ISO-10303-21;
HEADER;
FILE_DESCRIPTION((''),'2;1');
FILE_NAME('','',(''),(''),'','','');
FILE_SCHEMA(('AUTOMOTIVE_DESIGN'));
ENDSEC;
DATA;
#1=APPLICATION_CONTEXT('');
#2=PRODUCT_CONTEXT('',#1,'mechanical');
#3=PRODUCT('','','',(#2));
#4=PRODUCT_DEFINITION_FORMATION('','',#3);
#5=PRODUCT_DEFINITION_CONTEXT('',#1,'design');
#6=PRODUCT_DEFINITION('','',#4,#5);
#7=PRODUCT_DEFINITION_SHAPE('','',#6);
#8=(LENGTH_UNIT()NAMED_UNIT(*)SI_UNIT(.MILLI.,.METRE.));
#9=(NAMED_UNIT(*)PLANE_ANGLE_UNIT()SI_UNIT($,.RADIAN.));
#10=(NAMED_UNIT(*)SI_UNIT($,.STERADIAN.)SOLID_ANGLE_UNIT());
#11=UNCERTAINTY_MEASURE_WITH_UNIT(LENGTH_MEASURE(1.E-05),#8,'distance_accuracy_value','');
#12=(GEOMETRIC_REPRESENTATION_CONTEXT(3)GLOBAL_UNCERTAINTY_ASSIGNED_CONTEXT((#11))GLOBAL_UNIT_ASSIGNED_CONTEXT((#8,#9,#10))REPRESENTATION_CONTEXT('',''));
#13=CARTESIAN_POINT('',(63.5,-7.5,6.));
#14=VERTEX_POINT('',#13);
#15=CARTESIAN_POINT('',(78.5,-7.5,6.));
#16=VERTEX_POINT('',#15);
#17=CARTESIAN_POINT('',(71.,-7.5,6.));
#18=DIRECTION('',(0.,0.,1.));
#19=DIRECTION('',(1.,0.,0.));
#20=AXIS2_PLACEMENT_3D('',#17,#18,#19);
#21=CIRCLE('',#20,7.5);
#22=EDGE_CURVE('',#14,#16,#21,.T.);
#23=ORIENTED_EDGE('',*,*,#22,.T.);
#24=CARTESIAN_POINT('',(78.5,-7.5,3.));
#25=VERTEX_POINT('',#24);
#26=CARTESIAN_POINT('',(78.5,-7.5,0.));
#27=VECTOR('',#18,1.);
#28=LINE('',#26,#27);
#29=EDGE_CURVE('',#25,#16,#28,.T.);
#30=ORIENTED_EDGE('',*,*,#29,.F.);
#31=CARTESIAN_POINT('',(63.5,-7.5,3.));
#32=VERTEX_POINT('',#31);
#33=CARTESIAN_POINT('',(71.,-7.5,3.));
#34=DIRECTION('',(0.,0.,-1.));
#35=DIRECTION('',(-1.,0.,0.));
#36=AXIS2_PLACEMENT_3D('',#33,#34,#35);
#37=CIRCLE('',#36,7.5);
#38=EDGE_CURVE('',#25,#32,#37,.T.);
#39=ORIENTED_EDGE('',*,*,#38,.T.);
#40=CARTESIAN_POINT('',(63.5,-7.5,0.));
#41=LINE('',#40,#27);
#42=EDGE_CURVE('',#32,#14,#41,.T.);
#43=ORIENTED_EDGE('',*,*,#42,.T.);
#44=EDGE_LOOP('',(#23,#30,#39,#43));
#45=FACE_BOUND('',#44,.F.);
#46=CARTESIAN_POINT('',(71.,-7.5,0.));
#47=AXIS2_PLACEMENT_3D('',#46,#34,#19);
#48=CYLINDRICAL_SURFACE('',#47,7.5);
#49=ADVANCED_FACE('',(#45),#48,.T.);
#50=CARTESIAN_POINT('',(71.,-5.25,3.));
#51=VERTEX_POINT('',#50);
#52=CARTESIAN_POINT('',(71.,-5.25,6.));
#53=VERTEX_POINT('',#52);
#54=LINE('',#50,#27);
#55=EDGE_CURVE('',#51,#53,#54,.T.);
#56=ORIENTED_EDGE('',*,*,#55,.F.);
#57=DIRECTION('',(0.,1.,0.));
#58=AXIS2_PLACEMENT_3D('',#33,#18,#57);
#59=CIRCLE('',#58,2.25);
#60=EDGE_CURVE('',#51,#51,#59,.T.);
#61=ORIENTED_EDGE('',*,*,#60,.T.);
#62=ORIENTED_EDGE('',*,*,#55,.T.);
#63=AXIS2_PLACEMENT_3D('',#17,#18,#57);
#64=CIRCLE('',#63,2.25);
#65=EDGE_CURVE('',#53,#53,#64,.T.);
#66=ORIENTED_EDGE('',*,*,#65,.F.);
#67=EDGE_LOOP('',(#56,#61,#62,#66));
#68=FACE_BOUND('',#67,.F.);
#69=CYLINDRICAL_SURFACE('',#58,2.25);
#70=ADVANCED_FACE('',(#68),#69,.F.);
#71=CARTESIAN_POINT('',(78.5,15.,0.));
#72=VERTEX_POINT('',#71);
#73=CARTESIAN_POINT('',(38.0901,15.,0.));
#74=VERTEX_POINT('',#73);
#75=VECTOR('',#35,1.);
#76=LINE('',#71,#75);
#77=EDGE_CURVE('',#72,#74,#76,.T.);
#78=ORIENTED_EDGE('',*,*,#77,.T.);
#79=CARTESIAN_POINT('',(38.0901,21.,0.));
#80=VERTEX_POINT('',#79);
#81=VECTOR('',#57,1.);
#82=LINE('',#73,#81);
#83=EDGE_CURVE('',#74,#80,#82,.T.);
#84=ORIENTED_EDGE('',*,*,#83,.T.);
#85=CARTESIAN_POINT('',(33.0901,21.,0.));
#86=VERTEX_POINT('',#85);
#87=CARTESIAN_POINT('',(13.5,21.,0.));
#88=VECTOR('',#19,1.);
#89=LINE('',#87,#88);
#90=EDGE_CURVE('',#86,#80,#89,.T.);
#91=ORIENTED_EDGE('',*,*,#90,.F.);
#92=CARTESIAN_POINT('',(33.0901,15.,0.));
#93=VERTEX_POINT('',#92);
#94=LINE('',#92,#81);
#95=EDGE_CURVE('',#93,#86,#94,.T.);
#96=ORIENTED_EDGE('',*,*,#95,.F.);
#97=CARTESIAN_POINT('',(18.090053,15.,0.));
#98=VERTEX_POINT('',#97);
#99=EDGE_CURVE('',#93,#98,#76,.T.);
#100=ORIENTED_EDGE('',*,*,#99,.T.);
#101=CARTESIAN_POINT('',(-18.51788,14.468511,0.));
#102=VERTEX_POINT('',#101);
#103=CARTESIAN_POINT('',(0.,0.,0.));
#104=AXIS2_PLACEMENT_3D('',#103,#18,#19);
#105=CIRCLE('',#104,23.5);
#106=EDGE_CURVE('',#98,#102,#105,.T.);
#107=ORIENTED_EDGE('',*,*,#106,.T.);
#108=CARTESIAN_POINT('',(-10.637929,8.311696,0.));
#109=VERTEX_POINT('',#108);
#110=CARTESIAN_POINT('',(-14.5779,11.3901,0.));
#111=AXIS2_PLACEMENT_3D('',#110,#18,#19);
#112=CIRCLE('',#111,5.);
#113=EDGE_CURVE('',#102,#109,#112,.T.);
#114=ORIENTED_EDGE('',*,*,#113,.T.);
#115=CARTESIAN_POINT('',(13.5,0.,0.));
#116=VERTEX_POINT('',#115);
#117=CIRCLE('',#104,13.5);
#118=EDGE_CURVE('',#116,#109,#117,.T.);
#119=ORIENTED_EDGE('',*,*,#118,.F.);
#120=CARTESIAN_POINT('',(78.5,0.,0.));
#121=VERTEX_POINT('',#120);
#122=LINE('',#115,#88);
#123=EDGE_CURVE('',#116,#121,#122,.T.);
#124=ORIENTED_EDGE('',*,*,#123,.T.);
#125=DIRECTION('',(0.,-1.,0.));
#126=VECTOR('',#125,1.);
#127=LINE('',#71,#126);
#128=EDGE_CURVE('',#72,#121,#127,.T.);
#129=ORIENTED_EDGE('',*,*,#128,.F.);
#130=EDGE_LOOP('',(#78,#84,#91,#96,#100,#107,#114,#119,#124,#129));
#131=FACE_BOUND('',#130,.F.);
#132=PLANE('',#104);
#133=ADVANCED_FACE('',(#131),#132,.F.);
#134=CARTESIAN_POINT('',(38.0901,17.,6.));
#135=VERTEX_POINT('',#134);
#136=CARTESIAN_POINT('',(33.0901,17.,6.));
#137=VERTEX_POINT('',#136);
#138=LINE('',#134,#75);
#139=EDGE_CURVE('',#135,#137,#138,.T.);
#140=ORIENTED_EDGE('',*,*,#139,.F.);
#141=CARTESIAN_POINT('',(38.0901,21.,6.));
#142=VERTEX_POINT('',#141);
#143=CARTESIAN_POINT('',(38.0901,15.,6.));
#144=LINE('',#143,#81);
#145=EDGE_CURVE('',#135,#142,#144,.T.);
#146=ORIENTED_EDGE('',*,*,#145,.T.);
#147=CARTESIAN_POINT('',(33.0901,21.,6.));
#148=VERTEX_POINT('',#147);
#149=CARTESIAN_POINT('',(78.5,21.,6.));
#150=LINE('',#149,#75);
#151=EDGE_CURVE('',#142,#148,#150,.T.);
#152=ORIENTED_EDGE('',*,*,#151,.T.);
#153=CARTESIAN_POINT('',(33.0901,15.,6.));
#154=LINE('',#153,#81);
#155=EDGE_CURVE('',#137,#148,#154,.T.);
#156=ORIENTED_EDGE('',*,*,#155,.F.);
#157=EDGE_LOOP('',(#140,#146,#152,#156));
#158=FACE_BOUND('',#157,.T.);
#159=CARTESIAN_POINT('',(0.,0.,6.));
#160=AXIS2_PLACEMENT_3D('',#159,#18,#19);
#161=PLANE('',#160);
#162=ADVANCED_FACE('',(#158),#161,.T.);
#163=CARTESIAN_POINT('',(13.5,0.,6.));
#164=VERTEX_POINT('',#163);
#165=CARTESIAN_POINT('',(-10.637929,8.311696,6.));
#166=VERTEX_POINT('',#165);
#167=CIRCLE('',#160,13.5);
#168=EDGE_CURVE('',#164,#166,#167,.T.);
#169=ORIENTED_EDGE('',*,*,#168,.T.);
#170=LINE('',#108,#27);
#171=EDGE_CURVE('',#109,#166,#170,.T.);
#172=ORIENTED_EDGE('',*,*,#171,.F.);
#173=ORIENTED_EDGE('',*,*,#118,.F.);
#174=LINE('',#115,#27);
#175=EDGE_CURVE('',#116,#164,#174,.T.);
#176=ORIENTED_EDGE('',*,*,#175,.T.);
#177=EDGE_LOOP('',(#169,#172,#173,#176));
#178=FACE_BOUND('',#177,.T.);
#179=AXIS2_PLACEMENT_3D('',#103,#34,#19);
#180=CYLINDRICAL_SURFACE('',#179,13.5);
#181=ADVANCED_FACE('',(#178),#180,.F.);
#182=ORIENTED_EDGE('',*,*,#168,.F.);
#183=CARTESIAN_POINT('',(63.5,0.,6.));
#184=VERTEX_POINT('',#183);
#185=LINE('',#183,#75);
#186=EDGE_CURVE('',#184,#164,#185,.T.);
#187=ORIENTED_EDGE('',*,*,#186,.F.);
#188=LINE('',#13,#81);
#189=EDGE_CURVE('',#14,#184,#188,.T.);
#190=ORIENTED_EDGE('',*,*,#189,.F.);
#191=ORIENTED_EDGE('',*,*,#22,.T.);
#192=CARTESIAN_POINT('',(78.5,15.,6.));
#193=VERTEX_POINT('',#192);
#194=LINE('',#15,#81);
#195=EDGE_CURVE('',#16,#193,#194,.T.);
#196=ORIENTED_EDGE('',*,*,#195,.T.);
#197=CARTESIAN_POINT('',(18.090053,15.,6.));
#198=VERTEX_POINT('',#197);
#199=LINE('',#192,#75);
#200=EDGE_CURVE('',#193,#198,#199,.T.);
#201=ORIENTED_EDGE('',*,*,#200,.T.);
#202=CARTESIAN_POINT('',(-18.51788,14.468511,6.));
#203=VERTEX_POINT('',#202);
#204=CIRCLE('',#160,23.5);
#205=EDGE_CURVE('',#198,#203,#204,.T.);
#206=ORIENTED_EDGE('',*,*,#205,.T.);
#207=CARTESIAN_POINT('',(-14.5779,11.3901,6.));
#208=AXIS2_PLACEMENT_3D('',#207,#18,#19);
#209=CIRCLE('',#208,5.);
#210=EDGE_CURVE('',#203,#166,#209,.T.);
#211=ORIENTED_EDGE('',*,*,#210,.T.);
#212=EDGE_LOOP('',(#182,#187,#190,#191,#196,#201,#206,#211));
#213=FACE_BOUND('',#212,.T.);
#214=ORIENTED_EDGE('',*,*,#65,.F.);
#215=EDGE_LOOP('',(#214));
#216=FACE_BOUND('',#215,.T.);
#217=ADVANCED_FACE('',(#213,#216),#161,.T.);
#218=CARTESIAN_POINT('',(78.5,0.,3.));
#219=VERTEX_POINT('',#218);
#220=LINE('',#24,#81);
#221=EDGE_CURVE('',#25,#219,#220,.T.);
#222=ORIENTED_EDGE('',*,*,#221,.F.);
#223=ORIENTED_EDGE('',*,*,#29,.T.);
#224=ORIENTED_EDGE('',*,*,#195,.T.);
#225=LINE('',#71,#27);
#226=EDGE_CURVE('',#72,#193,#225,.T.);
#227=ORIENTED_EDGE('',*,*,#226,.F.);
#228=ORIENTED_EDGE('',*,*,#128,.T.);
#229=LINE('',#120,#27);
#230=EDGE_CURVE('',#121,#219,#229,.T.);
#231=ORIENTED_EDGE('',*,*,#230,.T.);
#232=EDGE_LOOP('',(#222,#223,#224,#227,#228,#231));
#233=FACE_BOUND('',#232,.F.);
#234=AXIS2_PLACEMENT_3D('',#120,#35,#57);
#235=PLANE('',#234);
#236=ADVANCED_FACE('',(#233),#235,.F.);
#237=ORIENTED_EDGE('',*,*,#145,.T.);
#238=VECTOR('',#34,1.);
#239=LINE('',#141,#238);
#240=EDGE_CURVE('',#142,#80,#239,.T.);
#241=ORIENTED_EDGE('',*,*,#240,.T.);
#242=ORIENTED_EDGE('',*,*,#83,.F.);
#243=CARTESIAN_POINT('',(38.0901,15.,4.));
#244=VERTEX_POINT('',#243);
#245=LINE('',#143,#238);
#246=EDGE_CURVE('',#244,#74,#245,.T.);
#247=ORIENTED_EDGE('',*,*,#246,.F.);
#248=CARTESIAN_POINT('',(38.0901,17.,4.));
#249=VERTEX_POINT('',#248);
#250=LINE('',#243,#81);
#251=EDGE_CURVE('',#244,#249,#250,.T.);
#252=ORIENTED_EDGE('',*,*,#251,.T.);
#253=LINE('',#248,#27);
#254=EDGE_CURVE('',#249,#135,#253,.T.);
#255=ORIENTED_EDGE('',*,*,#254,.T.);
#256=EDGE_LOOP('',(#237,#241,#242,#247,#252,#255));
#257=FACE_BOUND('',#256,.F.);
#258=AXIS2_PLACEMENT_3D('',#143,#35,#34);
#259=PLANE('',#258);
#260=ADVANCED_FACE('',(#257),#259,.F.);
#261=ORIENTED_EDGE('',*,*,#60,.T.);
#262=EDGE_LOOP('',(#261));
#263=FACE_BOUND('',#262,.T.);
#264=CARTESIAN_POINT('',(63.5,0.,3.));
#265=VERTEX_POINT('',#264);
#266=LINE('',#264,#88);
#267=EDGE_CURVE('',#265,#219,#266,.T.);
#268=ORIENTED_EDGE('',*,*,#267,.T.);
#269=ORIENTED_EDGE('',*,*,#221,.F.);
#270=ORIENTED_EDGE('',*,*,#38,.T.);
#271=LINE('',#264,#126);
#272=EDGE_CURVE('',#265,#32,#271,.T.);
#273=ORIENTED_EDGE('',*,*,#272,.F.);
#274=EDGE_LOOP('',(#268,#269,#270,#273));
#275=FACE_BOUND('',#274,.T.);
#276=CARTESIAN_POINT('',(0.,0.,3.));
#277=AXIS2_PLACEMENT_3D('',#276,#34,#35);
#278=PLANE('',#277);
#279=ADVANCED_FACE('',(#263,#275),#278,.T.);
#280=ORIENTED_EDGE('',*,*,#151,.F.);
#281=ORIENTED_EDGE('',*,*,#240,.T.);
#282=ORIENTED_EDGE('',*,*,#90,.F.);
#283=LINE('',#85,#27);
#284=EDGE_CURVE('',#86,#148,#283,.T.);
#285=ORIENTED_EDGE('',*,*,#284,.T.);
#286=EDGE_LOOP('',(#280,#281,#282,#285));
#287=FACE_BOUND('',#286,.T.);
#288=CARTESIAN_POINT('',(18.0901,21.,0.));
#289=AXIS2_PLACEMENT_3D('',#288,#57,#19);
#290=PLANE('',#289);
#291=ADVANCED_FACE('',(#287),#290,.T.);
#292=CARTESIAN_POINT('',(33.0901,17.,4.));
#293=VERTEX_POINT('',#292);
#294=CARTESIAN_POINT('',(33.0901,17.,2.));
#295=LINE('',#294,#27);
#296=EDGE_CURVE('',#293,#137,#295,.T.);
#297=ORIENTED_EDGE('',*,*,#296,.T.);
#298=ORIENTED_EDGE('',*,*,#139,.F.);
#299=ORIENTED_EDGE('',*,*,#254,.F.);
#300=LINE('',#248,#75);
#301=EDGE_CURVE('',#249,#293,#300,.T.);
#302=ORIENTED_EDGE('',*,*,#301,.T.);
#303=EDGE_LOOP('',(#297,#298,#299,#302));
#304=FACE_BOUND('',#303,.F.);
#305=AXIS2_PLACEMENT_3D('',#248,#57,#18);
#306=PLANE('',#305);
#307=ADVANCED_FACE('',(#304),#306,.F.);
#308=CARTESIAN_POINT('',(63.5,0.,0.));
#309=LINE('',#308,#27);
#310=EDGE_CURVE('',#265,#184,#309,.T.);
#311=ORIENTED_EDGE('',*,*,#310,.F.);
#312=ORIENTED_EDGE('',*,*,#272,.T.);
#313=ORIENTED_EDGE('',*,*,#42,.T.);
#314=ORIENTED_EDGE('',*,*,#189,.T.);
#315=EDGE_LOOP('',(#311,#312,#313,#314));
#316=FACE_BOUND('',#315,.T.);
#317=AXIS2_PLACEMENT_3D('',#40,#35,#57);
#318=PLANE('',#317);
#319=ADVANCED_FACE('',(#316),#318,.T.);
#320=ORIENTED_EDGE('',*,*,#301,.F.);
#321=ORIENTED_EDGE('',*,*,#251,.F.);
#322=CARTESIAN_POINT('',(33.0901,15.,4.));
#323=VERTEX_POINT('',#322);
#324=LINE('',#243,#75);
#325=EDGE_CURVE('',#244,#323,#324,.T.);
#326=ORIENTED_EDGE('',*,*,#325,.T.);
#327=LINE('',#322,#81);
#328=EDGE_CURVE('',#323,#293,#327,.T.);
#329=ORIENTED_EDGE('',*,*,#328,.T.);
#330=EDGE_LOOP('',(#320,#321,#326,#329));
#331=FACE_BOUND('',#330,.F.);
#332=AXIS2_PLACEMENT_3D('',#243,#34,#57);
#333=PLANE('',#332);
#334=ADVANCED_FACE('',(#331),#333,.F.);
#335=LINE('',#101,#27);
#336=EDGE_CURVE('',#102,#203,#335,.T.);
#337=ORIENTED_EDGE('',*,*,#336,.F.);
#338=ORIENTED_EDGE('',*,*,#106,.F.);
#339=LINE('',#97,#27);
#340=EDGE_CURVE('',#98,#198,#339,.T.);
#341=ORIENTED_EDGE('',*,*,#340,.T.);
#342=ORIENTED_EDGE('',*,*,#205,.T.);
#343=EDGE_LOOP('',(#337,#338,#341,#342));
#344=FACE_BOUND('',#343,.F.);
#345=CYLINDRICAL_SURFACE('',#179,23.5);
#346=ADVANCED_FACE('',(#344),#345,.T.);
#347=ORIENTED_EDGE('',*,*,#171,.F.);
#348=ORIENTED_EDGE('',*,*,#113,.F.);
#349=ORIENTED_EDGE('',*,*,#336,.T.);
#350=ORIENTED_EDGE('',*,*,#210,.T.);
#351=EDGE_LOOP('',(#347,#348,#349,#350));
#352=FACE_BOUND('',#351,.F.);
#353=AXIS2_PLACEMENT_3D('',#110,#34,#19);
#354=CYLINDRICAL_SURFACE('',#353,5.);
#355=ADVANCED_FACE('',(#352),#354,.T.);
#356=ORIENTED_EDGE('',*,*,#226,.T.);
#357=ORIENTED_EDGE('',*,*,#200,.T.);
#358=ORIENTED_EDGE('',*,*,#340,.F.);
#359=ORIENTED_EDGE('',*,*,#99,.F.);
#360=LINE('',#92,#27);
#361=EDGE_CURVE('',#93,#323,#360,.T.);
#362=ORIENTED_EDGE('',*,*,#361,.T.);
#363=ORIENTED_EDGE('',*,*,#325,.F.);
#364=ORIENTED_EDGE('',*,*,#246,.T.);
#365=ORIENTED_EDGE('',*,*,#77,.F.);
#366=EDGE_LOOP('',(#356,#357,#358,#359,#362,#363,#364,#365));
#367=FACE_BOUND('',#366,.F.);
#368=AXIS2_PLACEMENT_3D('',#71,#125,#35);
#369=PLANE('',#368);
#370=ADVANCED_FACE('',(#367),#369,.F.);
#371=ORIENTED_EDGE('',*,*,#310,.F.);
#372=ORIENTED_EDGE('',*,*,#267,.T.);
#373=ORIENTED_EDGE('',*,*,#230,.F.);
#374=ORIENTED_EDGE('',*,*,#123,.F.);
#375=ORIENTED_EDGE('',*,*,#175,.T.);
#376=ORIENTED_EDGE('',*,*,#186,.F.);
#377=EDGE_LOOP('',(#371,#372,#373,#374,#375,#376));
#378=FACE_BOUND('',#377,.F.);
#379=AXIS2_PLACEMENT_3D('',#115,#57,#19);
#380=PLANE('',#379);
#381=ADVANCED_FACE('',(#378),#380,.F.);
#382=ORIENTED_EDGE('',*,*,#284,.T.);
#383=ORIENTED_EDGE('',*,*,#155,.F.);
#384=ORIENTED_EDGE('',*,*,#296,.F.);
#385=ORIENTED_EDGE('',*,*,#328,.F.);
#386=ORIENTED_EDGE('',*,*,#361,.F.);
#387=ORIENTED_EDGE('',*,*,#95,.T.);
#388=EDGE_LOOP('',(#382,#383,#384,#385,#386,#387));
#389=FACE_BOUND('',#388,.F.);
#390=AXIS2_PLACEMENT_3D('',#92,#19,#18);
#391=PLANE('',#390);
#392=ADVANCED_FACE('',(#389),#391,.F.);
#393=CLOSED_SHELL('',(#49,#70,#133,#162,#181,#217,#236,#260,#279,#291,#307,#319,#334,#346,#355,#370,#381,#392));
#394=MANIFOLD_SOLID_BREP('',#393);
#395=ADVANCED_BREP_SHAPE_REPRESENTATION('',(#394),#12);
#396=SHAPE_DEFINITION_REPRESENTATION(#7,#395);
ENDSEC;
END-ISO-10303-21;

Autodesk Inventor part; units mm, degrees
ref_plane "YZ Plane" through (0, 0, 0) normal (1, 0, 0) x (0, 1, 0)
ref_plane "XZ Plane" through (0, 0, 0) normal (0, 1, 0) x (-1, 0, 0)
ref_plane "XY Plane" through (0, 0, 0) normal (0, 0, 1) x (1, 0, 0)
sketch "スケッチ4" plane through (0, 0, 0) normal (0, 0, 1) x (1, 0, 0)
  circle A0 centre (0, 0) radius 13.5
  circle A1 centre (0, 0) radius 23.5
  circle A2 centre (-14.5779, 11.3901) radius 5
  line L0 (13.5, 0) -> (78.5, 0)
  line L1 (78.5, 0) -> (78.5, 15)
  line L2 (78.5, 15) -> (13.5, 15)
  line L3 (13.5, 15) -> (13.5, 0)
  circle A3 centre (71, -7.5) radius 7.5
  line L4 (63.5, 0) -> (78.5, 0)
  line L5 (78.5, 0) -> (78.5, -7.5)
  line L6 (78.5, -7.5) -> (63.5, -7.5)
  line L7 (63.5, -7.5) -> (63.5, 0)
  point P0 (-10.6379, 8.3117)
  point P1 (78.5, 0)
  point P2 (18.0901, 15)
  point P3 (-18.5179, 14.4685)
  dimension "d15" = 27
  dimension "d19" = 15
  dimension "d16" = 47
  dimension "d17" = 65
  dimension "d18" = 15
extrude "押し出し3" add sketch "スケッチ4" along normal blind 6 contours L3 L2 A1 L0 | A0 A2 A1 L2 L3 | A2 | A1 L2 L1 L0 | L0 A3 L7 | L0 L5 A3 | A3 L6 | L6 A3
sketch "スケッチ5" plane through (0, 0, 0) normal (0, 0, -1) x (-1, 0, 0)
  line L0 (-78.5, -7.5) -> (-78.5, 15) projected
  line L1 (-63.5, 0) -> (-63.5, -7.5) projected
  line L2 (-78.5, 0) -> (-63.5, 0)
  line L3 (-63.5, 0) -> (-63.5, -7.5)
  line L4 (-63.5, -7.5) -> (-78.5, -7.5)
  line L5 (-78.5, -7.5) -> (-78.5, 0)
  circle A0 centre (-71, -7.5) radius 7.5
  point P0 (0, 0)
extrude "押し出し4" cut sketch "スケッチ5" against normal blind 3
sketch "スケッチ6" plane through (0, 0, 3) normal (0, 0, -1) x (-1, 0, 0)
  arc A0 (-78.5, -7.5) -> (-63.5, -7.5) centre (-71, -7.5) ccw projected
  point P0 (0, 0)
hole "穴2" at (71, -7.5, 3) direction (0, 0, 1) diameter 4.5 end through all
sketch "スケッチ7" plane through (18.0901, 15, 0) normal (0, 1, 0) x (1, 0, 0)
  line L0 (60.4099, -6) -> (0, -6) projected
  line L1 (-4.5901, 0) -> (60.4099, 0) projected
  line L2 (15, -6) -> (20, -6)
  line L3 (20, -6) -> (20, 0)
  line L4 (20, 0) -> (15, 0)
  line L5 (15, 0) -> (15, -6)
  line L6 (0, 0) -> (0, -6) projected
  point P0 (-18.0901, 0)
  dimension "d31" = 5
  dimension "d32" = 15
extrude "押し出し5" add sketch "スケッチ7" along normal blind 6 contours L0 L5 L1 L3
sketch "スケッチ8" plane through (38.0901, 15, 6) normal (1, 0, 0) x (0, 0, -1)
  line L0 (0, 0) -> (2, 0)
  line L1 (2, 0) -> (2, 2)
  line L2 (2, 2) -> (0, 2)
  line L3 (0, 2) -> (0, 0)
  point P0 (6, -15)
  dimension "d35" = 2
  dimension "d36" = 2
extrude "押し出し6" cut sketch "スケッチ8" against normal blind 6
properties part number "エアタンクペットボトル抑え２"
